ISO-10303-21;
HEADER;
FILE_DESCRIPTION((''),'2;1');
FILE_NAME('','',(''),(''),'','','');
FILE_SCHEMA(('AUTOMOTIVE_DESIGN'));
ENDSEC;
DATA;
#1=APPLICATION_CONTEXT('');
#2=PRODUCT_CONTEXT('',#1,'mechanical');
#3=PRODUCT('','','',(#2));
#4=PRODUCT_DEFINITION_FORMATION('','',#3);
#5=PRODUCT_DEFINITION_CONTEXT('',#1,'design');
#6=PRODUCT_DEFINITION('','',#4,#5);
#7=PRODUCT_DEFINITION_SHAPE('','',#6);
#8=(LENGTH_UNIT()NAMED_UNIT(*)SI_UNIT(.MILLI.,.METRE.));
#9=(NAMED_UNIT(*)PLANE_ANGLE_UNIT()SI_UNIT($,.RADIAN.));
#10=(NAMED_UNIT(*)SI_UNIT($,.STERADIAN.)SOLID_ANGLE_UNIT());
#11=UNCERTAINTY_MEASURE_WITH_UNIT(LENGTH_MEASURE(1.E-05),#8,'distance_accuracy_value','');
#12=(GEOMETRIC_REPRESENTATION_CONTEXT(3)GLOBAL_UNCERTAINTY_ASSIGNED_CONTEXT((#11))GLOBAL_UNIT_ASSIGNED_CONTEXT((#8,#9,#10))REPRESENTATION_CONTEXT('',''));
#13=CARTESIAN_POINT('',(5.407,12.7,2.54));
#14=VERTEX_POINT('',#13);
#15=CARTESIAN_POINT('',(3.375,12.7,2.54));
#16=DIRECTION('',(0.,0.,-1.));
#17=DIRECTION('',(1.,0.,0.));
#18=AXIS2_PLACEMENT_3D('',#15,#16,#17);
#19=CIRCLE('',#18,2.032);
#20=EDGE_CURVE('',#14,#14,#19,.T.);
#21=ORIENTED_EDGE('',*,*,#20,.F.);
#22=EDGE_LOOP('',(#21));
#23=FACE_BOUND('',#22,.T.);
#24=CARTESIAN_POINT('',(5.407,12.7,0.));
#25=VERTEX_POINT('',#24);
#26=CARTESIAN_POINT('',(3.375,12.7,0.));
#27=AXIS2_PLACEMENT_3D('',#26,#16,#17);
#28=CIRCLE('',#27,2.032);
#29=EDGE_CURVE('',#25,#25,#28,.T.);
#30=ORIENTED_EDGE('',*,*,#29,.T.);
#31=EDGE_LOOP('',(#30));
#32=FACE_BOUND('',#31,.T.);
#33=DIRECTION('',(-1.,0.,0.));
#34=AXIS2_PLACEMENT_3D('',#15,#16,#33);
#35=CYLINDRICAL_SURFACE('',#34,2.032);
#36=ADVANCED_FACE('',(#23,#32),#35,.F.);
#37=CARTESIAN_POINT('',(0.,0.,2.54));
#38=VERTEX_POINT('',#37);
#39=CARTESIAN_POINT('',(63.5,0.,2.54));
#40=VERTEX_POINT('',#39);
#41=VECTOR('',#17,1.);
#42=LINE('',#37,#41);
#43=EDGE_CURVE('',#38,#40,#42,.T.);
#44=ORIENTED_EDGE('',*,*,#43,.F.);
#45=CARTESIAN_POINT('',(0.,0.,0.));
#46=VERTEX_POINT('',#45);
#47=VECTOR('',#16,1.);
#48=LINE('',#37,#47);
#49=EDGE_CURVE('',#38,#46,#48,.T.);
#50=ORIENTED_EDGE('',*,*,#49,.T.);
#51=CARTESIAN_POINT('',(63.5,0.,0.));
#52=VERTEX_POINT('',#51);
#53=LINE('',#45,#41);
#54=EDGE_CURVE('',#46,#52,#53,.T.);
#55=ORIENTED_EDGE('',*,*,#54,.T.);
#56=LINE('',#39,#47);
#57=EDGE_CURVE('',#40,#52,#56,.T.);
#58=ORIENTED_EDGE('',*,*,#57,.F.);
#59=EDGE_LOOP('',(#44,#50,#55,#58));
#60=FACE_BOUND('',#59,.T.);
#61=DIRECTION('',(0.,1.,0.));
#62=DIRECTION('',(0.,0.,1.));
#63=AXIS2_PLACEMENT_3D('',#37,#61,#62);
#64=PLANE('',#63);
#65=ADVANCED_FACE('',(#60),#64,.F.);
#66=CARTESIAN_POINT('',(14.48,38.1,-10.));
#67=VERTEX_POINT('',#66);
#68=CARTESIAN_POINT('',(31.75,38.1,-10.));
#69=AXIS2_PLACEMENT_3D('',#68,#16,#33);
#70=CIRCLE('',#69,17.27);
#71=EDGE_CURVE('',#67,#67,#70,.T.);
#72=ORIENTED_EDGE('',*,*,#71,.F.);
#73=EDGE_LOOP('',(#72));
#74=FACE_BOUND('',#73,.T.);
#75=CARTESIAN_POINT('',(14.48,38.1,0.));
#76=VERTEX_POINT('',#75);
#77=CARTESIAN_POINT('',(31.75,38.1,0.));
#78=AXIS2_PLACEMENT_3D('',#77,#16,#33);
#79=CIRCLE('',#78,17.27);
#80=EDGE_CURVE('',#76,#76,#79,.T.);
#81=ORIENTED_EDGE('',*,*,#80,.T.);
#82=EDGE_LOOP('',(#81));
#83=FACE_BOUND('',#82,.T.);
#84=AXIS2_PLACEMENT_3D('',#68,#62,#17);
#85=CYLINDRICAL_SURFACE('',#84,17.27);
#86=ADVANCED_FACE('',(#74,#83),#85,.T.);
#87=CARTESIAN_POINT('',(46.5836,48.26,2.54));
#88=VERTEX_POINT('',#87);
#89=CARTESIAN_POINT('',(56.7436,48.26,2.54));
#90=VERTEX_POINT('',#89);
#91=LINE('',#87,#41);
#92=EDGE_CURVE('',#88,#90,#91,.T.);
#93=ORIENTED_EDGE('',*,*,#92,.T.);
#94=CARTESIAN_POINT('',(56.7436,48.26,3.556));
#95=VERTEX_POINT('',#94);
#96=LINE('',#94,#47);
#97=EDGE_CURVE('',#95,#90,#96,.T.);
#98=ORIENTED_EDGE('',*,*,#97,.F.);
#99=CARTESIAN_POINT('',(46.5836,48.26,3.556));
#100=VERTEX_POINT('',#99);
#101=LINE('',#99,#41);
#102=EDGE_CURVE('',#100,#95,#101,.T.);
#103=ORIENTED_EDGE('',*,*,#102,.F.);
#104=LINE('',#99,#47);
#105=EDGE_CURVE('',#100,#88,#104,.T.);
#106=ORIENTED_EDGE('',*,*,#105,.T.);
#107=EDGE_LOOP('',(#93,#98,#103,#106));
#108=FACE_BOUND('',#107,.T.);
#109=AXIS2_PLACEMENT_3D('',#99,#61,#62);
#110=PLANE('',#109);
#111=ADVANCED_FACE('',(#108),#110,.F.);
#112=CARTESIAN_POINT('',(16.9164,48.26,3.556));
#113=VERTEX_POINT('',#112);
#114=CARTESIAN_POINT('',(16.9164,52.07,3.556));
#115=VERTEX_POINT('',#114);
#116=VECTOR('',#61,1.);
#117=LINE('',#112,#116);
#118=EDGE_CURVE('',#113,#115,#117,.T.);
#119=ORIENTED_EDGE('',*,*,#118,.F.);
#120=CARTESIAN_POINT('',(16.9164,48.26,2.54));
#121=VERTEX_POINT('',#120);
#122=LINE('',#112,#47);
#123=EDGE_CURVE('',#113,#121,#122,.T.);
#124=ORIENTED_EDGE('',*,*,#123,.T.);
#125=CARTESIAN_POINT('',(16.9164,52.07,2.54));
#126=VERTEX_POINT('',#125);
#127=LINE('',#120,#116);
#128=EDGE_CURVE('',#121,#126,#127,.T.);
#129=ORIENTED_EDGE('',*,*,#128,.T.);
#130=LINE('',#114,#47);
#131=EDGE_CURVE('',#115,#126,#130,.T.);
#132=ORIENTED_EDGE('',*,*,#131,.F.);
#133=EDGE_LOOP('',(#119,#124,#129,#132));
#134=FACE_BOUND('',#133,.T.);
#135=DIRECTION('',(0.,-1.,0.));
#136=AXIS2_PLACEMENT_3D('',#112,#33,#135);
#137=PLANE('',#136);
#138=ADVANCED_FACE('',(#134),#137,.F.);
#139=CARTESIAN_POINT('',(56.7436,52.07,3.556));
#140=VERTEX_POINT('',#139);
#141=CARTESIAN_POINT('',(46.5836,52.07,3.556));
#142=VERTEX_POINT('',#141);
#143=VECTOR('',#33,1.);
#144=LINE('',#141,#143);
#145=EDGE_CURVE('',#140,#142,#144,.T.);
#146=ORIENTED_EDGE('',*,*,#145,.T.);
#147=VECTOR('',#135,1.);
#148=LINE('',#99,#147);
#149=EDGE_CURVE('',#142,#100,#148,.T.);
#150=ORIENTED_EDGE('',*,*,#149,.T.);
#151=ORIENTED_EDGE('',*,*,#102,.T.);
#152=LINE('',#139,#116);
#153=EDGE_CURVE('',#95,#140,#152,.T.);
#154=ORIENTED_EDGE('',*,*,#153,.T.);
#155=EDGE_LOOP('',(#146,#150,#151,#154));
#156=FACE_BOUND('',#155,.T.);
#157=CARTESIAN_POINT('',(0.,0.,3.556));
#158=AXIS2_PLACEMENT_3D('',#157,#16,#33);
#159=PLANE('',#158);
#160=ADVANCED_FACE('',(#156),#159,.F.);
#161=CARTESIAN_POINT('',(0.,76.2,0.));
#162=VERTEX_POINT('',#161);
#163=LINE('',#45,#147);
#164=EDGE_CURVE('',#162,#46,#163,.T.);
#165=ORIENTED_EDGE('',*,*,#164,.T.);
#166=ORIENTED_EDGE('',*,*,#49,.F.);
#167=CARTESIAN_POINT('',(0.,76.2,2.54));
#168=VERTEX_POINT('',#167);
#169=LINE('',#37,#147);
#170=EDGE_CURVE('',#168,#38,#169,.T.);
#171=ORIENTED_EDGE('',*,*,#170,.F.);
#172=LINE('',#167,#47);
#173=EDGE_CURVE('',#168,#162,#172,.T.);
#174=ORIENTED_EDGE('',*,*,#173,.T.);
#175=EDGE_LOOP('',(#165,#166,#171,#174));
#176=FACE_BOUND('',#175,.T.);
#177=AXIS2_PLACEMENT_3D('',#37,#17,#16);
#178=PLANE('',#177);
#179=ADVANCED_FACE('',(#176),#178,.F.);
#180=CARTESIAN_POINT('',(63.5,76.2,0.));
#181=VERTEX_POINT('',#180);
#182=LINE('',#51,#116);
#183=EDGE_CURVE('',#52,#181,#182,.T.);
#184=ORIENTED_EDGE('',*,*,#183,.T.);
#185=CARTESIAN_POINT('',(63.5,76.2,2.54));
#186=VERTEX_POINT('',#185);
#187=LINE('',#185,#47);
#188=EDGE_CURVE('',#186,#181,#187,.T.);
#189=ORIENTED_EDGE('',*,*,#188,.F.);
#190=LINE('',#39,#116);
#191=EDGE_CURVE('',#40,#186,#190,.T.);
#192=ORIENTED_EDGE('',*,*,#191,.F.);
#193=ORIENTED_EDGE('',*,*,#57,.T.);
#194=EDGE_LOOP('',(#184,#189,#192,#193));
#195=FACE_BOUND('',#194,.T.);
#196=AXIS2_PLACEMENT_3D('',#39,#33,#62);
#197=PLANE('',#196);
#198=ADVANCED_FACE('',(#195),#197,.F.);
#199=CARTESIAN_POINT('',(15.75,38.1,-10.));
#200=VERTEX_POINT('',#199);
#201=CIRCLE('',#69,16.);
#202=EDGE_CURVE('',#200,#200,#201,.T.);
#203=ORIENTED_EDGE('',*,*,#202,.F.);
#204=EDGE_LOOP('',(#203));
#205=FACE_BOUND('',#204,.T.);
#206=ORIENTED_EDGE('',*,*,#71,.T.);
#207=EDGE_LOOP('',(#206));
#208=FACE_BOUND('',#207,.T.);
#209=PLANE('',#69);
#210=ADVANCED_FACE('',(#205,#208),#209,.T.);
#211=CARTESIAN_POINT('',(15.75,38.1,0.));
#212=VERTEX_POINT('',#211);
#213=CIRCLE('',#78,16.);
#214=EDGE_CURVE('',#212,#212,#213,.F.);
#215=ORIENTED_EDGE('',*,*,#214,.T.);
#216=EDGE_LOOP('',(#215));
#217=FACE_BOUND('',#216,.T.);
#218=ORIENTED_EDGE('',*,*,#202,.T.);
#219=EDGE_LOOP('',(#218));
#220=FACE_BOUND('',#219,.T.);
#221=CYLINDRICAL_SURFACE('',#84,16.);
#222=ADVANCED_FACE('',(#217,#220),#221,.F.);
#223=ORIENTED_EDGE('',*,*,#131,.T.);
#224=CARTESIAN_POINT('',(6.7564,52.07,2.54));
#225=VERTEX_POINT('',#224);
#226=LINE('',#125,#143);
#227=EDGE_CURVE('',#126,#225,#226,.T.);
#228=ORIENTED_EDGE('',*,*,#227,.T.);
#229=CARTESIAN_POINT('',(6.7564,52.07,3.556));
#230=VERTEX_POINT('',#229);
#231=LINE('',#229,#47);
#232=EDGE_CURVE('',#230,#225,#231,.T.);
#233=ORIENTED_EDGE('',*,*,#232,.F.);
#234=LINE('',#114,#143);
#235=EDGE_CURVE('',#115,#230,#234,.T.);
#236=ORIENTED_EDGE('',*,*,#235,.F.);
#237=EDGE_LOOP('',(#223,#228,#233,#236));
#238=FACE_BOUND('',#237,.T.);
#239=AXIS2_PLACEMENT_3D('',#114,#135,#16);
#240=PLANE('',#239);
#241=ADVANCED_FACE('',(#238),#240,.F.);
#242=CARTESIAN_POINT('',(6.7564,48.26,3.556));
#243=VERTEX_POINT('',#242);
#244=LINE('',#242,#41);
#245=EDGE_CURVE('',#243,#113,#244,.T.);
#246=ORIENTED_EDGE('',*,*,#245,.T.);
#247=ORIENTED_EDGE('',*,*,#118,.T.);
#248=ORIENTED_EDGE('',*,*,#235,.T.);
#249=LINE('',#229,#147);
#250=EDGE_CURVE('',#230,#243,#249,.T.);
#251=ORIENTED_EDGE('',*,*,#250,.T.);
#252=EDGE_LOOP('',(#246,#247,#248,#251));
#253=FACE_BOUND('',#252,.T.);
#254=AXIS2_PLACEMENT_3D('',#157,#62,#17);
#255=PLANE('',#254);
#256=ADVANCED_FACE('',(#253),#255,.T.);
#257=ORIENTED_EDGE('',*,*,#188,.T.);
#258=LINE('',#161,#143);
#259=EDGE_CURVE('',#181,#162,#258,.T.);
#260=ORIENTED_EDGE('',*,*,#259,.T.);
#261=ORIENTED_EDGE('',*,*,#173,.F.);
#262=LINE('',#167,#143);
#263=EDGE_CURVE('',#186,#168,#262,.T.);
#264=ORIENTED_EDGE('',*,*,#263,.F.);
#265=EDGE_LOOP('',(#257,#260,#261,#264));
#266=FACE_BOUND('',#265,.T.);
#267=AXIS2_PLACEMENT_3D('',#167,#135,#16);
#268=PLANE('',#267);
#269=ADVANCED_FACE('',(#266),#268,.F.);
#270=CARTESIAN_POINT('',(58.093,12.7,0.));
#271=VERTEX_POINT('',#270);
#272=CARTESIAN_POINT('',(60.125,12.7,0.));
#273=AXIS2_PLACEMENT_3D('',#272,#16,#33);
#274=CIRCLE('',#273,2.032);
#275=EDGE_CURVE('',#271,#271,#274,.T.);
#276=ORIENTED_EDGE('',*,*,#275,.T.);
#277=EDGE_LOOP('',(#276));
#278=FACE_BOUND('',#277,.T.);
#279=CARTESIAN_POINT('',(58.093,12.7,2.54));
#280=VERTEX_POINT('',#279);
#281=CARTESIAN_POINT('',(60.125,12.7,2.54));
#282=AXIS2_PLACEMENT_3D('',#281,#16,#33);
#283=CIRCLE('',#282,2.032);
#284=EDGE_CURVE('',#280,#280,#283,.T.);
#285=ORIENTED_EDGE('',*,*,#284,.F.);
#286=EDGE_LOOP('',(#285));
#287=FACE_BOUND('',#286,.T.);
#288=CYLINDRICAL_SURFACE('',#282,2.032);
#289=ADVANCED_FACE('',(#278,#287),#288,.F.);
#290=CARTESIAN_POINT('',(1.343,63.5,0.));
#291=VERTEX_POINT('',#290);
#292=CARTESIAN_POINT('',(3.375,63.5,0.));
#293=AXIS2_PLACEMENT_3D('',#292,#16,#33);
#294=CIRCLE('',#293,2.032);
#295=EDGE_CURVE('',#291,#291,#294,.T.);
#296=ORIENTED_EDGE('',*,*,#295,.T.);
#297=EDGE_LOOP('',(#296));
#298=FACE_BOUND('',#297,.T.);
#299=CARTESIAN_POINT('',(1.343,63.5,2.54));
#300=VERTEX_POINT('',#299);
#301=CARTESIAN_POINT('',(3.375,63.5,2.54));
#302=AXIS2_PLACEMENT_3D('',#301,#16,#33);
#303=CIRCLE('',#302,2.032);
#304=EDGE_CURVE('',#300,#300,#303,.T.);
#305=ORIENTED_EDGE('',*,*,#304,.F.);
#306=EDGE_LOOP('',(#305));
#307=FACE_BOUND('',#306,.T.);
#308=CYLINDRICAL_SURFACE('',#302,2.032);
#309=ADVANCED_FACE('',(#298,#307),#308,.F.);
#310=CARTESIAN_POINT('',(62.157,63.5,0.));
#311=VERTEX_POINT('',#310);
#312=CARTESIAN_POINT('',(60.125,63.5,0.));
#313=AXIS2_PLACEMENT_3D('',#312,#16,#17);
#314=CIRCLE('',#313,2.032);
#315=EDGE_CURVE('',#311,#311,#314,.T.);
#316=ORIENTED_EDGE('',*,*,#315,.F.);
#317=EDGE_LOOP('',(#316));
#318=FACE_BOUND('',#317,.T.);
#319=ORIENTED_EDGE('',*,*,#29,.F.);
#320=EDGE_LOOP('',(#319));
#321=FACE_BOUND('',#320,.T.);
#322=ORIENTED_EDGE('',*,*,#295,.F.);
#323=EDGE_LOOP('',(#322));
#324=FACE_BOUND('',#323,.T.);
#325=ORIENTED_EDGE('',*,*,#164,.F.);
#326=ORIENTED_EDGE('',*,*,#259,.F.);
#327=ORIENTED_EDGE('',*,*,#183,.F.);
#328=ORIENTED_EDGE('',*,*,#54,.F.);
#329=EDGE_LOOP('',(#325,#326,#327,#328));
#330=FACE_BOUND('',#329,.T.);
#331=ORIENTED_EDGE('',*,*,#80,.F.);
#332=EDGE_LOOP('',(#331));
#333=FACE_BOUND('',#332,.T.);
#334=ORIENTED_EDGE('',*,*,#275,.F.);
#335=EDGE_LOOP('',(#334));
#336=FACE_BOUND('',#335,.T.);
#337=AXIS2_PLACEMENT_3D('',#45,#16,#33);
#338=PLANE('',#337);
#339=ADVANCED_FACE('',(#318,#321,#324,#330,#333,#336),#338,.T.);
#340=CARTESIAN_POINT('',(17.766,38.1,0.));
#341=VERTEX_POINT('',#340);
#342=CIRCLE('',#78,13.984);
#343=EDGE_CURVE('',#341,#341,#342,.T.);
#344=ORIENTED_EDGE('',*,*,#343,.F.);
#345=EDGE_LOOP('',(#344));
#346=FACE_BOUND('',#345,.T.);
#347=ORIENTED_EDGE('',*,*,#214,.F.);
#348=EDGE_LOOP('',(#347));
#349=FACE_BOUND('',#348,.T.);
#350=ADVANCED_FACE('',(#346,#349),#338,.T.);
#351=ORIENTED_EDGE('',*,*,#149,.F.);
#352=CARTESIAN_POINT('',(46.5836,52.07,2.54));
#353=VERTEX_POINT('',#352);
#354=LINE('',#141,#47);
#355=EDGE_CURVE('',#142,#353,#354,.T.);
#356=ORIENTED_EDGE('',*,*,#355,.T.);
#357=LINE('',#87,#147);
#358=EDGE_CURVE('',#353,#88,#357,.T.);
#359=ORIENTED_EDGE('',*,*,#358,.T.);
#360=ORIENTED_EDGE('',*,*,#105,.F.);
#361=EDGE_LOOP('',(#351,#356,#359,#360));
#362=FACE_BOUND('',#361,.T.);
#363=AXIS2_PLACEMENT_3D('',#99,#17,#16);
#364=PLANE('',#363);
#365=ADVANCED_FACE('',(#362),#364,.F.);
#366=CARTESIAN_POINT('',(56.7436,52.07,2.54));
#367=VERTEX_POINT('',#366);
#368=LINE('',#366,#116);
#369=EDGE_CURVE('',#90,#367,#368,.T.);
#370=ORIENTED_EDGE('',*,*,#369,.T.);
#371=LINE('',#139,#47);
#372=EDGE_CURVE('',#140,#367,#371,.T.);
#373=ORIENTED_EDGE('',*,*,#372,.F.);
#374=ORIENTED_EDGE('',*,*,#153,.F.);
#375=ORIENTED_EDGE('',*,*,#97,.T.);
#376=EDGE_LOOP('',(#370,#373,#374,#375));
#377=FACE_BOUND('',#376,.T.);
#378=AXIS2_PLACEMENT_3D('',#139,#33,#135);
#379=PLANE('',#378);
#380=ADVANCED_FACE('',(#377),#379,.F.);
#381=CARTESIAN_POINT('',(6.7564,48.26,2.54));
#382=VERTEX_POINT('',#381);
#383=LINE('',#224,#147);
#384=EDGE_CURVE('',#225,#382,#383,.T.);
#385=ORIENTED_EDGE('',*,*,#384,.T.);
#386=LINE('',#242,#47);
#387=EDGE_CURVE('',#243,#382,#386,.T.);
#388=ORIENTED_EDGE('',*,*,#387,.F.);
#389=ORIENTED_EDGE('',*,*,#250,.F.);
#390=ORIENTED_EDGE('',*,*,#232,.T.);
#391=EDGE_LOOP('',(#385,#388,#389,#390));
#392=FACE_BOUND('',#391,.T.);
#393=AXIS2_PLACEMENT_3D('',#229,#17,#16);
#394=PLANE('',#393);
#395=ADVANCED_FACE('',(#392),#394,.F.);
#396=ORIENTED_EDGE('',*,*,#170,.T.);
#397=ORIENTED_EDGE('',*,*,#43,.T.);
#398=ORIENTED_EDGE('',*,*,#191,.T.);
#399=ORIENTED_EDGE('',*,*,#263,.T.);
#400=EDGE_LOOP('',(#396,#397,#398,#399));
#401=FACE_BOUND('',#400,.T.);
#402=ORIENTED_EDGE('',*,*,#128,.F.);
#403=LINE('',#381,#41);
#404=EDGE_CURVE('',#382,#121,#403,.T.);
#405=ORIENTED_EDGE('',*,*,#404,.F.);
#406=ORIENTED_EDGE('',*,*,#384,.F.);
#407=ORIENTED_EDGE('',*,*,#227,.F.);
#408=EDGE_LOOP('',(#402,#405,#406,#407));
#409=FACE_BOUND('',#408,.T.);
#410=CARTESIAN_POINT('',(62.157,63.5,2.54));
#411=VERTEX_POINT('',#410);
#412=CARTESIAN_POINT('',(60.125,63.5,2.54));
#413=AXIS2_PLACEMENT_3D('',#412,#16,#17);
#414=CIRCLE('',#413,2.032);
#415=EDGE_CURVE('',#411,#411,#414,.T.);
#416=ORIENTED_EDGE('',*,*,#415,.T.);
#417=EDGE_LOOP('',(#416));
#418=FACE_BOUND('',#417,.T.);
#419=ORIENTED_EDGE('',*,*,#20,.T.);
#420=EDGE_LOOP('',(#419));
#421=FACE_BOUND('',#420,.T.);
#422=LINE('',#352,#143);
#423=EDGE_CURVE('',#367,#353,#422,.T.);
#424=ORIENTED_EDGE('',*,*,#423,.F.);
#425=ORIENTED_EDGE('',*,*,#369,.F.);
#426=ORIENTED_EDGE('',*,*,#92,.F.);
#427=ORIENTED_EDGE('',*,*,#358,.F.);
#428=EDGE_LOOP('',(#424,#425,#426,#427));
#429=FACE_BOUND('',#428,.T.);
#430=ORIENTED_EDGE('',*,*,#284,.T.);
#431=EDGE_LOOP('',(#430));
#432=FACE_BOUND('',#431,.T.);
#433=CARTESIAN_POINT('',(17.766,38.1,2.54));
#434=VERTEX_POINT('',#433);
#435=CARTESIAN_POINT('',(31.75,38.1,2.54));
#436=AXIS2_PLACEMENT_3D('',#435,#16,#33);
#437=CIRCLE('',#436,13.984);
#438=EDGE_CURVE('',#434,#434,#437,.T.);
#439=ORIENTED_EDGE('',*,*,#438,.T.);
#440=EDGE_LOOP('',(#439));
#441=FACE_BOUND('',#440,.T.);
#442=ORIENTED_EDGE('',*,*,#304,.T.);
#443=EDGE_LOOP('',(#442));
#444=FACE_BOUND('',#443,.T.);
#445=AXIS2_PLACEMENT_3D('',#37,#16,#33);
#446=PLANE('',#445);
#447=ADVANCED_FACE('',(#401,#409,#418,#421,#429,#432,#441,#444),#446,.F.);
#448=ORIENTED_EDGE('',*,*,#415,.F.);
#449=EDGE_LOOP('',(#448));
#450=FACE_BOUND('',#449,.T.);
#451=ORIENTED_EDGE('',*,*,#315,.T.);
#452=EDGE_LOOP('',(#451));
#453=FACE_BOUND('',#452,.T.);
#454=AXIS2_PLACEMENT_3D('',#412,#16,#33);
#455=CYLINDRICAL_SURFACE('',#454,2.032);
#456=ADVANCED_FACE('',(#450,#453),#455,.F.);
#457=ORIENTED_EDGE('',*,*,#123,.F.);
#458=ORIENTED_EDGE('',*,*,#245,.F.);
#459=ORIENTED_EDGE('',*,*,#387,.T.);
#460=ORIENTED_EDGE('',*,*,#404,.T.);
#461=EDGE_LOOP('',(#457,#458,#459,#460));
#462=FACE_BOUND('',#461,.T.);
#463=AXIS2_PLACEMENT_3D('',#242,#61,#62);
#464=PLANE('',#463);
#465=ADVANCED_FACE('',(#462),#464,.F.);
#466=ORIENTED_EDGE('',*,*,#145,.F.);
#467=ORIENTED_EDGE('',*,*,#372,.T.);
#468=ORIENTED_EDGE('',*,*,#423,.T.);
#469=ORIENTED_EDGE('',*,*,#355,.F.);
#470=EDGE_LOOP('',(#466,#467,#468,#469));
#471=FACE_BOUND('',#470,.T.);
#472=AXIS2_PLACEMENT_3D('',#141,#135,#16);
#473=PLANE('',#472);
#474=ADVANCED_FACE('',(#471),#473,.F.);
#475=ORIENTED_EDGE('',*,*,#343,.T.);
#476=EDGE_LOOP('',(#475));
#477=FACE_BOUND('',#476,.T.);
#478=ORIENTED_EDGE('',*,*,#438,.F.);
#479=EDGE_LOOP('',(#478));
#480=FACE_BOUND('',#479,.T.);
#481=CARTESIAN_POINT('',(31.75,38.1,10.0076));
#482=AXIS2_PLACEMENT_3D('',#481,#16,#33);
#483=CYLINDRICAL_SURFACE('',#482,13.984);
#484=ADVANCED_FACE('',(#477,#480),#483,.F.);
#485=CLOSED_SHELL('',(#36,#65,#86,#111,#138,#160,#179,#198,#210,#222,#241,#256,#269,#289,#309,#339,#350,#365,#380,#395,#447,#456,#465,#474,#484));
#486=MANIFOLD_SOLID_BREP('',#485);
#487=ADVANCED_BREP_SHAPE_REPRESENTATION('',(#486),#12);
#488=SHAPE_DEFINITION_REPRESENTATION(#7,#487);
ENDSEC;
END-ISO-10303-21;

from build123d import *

# Parameters (mm, degrees)
SKETCH3_W           = 63.5
SKETCH3_H           = 76.2
BOSS_EXTRUDE2_DEPTH = 2.54
SKETCH4_R           = 17.270000004
SKETCH4_R_2         = 16.000000004
BOSS_EXTRUDE3_DEPTH = 10
SKETCH5_R           = 13.983999972
CUT_EXTRUDE1_DEPTH  = 10.0076
SKETCH8_R           = 2.032
CUT_EXTRUDE2_DEPTH  = 3.54
SKETCH9_W           = 10.16
SKETCH9_H           = 3.81
BOSS_EXTRUDE4_DEPTH = 1.016


with BuildPart() as part:
    # Sketch3 → Boss-Extrude2 (new body)
    with BuildSketch(Plane.XY):
        with Locations((31.75, 38.1)):
            Rectangle(SKETCH3_W, SKETCH3_H)
    extrude(amount=BOSS_EXTRUDE2_DEPTH)

    # Sketch4 → Boss-Extrude3 (add)
    with BuildSketch(Plane(origin=(0, 0, 0), x_dir=(-1, 0, 0), z_dir=(0, 0, -1))):
        with Locations((-31.75, 38.1)):
            Circle(SKETCH4_R)
        with Locations((-31.75, 38.1)):
            Circle(SKETCH4_R_2, mode=Mode.SUBTRACT)
    extrude(amount=BOSS_EXTRUDE3_DEPTH)

    # Sketch5 → Cut-Extrude1 (cut)
    with BuildSketch(Plane(origin=(0, 0, 0), x_dir=(-1, 0, 0), z_dir=(0, 0, -1))):
        with Locations((-31.75, 38.1)):
            Circle(SKETCH5_R)
    extrude(amount=-CUT_EXTRUDE1_DEPTH, mode=Mode.SUBTRACT)

    # Sketch8 → Cut-Extrude2 (cut, through all)
    with BuildSketch(Plane(origin=(0, 0, 0), x_dir=(-1, 0, 0), z_dir=(0, 0, -1))):
        with Locations((-3.375, 63.5)):
            Circle(SKETCH8_R)
        with Locations((-60.125, 63.5)):
            Circle(SKETCH8_R)
        with Locations((-60.125, 12.7)):
            Circle(SKETCH8_R)
        with Locations((-3.375, 12.7)):
            Circle(SKETCH8_R)
    extrude(amount=-CUT_EXTRUDE2_DEPTH, mode=Mode.SUBTRACT)

    # Sketch9 → Boss-Extrude4 (add)
    with BuildSketch(Plane.XY.offset(2.54)):
        with Locations((51.6636, 50.165)):
            Rectangle(SKETCH9_W, SKETCH9_H)
        with Locations((11.8364, 50.165)):
            Rectangle(SKETCH9_W, SKETCH9_H)
    extrude(amount=BOSS_EXTRUDE4_DEPTH)


solid = part.part
